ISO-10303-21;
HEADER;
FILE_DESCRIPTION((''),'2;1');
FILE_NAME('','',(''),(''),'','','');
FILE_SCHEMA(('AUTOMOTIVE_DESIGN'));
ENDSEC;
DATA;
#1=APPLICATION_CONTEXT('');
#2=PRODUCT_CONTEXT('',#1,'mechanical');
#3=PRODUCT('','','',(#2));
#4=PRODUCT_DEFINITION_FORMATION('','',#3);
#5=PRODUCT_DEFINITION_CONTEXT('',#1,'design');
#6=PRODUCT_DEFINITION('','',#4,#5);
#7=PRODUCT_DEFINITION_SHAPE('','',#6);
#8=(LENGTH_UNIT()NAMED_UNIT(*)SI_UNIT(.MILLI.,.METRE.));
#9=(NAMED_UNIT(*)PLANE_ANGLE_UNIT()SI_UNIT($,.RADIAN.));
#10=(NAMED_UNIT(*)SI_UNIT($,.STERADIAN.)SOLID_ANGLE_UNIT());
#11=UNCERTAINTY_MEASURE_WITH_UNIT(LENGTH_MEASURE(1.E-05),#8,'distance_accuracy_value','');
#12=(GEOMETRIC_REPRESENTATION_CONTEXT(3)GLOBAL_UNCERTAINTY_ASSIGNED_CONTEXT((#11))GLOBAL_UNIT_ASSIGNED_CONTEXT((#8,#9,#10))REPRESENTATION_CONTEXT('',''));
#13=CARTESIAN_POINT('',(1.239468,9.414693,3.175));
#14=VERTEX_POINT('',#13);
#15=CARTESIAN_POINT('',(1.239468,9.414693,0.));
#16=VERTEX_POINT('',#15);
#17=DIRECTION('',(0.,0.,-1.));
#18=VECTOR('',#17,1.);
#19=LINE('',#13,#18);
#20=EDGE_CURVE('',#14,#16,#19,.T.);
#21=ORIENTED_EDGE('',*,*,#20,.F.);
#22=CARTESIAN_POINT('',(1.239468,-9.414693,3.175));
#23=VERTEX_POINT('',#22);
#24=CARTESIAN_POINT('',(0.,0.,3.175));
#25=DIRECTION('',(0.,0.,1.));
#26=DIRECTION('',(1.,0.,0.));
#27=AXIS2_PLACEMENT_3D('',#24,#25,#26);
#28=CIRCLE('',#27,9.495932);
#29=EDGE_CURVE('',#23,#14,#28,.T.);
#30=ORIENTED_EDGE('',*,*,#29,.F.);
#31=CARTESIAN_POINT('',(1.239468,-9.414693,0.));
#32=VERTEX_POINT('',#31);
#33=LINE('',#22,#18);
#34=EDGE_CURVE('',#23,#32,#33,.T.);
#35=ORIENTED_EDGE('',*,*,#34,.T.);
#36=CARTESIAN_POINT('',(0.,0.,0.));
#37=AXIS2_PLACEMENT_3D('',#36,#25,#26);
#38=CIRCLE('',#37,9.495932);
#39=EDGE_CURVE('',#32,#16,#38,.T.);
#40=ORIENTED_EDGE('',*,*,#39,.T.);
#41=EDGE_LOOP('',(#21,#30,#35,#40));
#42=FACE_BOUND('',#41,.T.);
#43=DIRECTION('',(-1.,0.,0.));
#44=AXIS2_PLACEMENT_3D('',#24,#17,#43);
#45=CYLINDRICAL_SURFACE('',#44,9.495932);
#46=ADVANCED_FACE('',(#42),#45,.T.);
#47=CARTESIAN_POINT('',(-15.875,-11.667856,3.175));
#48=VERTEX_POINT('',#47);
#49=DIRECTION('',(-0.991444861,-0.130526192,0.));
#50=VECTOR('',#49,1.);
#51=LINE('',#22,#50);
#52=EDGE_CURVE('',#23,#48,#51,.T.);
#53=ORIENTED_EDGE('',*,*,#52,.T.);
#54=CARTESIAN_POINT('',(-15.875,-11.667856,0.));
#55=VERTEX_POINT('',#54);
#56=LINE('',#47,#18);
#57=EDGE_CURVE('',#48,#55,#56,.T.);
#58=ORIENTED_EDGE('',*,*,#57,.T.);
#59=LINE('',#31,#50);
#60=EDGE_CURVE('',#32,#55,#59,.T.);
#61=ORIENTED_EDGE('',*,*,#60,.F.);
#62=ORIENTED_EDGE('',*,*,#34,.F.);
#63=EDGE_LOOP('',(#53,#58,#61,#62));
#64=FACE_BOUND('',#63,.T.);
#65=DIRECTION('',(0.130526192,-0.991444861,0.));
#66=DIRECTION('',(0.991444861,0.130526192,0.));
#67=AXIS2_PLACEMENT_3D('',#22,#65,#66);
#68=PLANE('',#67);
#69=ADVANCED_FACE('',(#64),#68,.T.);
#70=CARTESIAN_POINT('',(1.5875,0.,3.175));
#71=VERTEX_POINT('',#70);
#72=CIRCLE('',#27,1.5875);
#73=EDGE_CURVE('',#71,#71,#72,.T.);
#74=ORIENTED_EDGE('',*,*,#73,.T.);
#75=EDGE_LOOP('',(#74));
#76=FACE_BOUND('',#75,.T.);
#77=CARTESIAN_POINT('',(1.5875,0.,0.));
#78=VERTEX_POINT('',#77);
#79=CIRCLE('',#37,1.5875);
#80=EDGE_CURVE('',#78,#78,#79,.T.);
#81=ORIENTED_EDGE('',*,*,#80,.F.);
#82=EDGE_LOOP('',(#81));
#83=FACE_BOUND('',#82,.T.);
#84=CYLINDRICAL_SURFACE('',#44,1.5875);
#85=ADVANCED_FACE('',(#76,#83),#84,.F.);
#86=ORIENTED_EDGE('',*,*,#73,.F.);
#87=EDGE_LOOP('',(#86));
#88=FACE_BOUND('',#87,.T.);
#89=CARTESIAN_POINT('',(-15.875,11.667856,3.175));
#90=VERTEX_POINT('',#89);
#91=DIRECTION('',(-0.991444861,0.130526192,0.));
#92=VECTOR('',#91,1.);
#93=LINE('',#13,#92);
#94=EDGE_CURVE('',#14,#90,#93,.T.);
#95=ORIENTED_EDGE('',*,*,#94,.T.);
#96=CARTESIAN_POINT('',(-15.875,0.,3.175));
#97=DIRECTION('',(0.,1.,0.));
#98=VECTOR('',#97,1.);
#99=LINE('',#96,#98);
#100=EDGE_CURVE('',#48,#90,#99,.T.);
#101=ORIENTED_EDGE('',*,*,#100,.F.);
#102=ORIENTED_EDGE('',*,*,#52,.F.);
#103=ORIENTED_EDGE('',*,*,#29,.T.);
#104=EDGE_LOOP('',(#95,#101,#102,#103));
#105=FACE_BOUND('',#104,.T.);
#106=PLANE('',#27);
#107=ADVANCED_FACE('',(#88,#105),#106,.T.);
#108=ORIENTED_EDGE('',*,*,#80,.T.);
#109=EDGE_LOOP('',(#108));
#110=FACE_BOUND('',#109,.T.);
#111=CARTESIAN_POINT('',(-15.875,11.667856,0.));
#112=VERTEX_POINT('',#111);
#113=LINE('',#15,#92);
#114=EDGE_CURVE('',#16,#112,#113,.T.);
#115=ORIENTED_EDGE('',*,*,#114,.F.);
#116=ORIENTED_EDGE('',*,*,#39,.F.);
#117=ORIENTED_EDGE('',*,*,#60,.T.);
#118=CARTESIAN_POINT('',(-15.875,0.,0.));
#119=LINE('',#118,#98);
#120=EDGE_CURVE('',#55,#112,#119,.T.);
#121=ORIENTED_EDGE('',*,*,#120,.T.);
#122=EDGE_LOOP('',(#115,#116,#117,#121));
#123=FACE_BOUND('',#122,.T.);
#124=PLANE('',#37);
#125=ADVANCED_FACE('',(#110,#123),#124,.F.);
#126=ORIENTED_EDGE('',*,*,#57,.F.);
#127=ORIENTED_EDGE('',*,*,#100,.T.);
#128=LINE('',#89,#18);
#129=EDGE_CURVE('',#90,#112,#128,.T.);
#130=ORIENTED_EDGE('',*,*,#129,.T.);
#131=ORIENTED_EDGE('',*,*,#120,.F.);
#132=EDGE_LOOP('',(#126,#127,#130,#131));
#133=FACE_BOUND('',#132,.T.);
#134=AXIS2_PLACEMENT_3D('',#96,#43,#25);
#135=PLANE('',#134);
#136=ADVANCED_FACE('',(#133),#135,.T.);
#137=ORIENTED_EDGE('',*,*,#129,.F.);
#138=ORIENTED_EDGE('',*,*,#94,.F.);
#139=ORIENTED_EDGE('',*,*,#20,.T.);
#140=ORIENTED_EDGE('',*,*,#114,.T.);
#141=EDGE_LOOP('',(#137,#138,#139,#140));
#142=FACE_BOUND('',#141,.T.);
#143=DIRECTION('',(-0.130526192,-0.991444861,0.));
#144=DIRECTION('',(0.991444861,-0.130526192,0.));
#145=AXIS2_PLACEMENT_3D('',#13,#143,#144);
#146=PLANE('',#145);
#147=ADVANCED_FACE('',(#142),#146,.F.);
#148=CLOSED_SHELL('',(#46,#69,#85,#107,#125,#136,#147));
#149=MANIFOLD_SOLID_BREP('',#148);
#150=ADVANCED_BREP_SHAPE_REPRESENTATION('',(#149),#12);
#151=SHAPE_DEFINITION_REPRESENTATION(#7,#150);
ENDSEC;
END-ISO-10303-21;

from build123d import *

# Parameters (mm, degrees)
SKETCH1_R           = 1.5875
BOSS_EXTRUDE1_DEPTH = 3.175


with BuildPart() as part:
    # Sketch1 → Boss-Extrude1 (new body)
    with BuildSketch(Plane(origin=(-1053.740804459, 0, 0), x_dir=(1, 0, 0), z_dir=(0, 0, 1))):
        with BuildLine():
            Line((1037.865804459, -11.667855634), (1054.980272331, -9.414693193))
            ThreePointArc((1054.980272331, -9.414693193), (1063.236736668, 0), (1054.980272331, 9.414693193))
            Line((1054.980272331, 9.414693193), (1037.865804459, 11.667855634))
            Line((1037.865804459, 11.667855634), (1037.865804459, -11.667855634))
        make_face()
        with Locations((1053.740804459, 0)):
            Circle(SKETCH1_R, mode=Mode.SUBTRACT)
    extrude(amount=BOSS_EXTRUDE1_DEPTH)


solid = part.part
